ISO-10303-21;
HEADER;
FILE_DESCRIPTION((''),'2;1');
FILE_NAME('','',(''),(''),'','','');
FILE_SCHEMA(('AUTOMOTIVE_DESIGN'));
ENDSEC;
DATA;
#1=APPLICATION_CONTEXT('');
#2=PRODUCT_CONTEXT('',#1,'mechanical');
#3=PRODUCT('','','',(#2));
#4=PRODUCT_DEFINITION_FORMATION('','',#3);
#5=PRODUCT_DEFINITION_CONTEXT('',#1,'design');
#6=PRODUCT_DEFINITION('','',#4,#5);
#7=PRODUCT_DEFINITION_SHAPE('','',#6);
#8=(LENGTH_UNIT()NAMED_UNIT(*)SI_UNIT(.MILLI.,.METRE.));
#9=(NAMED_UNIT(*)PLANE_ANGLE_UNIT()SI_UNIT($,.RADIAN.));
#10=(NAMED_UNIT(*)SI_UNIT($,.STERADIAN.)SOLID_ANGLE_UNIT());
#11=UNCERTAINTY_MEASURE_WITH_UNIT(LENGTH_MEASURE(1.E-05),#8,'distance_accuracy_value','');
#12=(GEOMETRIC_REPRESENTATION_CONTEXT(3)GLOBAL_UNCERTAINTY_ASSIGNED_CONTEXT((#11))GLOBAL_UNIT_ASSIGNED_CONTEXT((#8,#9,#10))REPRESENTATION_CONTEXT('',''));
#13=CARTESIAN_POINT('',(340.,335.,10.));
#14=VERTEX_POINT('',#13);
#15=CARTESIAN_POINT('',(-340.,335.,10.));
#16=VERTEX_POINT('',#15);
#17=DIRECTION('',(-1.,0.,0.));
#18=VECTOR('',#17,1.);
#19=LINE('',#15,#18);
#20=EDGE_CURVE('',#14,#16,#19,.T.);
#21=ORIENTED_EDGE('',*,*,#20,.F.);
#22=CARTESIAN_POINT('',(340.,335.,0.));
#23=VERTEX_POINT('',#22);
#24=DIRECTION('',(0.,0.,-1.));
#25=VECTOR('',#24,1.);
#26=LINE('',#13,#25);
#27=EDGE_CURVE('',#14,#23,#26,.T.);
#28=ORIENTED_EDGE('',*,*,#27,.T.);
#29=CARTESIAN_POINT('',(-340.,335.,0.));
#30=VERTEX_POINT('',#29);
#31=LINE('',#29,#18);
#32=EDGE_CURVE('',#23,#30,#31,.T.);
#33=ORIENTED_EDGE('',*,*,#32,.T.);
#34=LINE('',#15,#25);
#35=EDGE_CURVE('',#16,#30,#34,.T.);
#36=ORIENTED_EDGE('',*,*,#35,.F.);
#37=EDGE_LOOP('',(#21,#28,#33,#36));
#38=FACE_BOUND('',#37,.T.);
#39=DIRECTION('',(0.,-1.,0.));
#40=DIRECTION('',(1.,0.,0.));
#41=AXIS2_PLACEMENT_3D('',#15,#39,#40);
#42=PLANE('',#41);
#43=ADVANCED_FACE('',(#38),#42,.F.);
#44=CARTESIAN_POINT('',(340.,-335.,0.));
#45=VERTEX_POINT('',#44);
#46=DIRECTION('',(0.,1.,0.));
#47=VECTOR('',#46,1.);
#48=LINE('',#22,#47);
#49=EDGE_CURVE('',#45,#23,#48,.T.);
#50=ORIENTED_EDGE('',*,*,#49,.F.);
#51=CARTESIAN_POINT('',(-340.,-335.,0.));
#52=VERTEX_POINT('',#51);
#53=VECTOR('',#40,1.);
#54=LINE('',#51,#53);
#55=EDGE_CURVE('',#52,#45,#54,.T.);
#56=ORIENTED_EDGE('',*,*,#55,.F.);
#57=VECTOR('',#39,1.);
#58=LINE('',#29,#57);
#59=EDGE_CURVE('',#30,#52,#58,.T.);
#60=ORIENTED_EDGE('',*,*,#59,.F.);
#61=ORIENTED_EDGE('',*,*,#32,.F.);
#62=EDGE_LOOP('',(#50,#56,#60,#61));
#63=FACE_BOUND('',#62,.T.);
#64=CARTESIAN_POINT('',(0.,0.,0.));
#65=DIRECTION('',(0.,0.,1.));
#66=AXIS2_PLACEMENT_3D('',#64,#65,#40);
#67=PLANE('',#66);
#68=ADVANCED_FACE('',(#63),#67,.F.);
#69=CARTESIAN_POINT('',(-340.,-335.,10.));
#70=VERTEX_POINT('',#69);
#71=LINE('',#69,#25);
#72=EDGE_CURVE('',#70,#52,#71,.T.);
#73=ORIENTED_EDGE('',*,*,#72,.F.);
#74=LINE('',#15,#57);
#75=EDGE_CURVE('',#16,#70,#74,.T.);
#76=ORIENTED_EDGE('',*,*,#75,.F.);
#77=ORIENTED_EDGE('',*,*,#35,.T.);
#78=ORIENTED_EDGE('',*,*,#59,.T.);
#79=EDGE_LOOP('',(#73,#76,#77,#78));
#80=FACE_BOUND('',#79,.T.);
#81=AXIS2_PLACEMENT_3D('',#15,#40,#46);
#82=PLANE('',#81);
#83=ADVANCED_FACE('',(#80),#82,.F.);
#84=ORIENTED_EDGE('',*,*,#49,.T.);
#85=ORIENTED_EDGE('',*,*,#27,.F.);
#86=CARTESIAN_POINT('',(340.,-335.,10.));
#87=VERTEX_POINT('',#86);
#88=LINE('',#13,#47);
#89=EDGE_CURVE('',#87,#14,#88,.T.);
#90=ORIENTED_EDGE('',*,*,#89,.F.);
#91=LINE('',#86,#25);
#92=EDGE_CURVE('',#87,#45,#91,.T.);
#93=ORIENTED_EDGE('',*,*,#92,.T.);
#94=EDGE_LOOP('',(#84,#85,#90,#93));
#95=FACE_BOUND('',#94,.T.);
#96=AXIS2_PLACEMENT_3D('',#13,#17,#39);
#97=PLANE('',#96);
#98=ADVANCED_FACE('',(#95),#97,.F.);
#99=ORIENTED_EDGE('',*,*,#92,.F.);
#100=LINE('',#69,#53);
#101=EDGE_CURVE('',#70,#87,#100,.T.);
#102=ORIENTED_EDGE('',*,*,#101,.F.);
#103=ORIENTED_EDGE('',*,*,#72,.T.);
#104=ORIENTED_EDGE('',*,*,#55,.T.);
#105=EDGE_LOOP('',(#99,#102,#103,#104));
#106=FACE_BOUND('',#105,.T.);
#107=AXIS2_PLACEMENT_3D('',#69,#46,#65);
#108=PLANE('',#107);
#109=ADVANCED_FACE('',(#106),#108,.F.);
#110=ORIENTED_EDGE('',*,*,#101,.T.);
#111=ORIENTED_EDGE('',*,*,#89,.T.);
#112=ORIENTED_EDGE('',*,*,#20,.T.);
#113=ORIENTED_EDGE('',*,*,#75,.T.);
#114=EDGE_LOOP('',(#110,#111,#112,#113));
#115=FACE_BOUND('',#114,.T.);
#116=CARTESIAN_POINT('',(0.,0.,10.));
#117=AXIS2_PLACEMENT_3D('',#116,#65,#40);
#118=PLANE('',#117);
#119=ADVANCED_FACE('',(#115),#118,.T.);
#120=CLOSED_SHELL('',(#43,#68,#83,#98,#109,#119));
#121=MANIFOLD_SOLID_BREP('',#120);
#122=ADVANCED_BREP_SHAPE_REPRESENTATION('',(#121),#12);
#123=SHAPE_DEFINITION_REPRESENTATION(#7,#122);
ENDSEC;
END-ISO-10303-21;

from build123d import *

# Parameters (mm, degrees)
ESQUISSE1_W        = 680
ESQUISSE1_H        = 670
BOSS_EXTRU_1_DEPTH = 10


with BuildPart() as part:
    # Esquisse1 → Boss.-Extru.1 (new body)
    with BuildSketch(Plane.XY):
        Rectangle(ESQUISSE1_W, ESQUISSE1_H)
    extrude(amount=BOSS_EXTRU_1_DEPTH)


solid = part.part
